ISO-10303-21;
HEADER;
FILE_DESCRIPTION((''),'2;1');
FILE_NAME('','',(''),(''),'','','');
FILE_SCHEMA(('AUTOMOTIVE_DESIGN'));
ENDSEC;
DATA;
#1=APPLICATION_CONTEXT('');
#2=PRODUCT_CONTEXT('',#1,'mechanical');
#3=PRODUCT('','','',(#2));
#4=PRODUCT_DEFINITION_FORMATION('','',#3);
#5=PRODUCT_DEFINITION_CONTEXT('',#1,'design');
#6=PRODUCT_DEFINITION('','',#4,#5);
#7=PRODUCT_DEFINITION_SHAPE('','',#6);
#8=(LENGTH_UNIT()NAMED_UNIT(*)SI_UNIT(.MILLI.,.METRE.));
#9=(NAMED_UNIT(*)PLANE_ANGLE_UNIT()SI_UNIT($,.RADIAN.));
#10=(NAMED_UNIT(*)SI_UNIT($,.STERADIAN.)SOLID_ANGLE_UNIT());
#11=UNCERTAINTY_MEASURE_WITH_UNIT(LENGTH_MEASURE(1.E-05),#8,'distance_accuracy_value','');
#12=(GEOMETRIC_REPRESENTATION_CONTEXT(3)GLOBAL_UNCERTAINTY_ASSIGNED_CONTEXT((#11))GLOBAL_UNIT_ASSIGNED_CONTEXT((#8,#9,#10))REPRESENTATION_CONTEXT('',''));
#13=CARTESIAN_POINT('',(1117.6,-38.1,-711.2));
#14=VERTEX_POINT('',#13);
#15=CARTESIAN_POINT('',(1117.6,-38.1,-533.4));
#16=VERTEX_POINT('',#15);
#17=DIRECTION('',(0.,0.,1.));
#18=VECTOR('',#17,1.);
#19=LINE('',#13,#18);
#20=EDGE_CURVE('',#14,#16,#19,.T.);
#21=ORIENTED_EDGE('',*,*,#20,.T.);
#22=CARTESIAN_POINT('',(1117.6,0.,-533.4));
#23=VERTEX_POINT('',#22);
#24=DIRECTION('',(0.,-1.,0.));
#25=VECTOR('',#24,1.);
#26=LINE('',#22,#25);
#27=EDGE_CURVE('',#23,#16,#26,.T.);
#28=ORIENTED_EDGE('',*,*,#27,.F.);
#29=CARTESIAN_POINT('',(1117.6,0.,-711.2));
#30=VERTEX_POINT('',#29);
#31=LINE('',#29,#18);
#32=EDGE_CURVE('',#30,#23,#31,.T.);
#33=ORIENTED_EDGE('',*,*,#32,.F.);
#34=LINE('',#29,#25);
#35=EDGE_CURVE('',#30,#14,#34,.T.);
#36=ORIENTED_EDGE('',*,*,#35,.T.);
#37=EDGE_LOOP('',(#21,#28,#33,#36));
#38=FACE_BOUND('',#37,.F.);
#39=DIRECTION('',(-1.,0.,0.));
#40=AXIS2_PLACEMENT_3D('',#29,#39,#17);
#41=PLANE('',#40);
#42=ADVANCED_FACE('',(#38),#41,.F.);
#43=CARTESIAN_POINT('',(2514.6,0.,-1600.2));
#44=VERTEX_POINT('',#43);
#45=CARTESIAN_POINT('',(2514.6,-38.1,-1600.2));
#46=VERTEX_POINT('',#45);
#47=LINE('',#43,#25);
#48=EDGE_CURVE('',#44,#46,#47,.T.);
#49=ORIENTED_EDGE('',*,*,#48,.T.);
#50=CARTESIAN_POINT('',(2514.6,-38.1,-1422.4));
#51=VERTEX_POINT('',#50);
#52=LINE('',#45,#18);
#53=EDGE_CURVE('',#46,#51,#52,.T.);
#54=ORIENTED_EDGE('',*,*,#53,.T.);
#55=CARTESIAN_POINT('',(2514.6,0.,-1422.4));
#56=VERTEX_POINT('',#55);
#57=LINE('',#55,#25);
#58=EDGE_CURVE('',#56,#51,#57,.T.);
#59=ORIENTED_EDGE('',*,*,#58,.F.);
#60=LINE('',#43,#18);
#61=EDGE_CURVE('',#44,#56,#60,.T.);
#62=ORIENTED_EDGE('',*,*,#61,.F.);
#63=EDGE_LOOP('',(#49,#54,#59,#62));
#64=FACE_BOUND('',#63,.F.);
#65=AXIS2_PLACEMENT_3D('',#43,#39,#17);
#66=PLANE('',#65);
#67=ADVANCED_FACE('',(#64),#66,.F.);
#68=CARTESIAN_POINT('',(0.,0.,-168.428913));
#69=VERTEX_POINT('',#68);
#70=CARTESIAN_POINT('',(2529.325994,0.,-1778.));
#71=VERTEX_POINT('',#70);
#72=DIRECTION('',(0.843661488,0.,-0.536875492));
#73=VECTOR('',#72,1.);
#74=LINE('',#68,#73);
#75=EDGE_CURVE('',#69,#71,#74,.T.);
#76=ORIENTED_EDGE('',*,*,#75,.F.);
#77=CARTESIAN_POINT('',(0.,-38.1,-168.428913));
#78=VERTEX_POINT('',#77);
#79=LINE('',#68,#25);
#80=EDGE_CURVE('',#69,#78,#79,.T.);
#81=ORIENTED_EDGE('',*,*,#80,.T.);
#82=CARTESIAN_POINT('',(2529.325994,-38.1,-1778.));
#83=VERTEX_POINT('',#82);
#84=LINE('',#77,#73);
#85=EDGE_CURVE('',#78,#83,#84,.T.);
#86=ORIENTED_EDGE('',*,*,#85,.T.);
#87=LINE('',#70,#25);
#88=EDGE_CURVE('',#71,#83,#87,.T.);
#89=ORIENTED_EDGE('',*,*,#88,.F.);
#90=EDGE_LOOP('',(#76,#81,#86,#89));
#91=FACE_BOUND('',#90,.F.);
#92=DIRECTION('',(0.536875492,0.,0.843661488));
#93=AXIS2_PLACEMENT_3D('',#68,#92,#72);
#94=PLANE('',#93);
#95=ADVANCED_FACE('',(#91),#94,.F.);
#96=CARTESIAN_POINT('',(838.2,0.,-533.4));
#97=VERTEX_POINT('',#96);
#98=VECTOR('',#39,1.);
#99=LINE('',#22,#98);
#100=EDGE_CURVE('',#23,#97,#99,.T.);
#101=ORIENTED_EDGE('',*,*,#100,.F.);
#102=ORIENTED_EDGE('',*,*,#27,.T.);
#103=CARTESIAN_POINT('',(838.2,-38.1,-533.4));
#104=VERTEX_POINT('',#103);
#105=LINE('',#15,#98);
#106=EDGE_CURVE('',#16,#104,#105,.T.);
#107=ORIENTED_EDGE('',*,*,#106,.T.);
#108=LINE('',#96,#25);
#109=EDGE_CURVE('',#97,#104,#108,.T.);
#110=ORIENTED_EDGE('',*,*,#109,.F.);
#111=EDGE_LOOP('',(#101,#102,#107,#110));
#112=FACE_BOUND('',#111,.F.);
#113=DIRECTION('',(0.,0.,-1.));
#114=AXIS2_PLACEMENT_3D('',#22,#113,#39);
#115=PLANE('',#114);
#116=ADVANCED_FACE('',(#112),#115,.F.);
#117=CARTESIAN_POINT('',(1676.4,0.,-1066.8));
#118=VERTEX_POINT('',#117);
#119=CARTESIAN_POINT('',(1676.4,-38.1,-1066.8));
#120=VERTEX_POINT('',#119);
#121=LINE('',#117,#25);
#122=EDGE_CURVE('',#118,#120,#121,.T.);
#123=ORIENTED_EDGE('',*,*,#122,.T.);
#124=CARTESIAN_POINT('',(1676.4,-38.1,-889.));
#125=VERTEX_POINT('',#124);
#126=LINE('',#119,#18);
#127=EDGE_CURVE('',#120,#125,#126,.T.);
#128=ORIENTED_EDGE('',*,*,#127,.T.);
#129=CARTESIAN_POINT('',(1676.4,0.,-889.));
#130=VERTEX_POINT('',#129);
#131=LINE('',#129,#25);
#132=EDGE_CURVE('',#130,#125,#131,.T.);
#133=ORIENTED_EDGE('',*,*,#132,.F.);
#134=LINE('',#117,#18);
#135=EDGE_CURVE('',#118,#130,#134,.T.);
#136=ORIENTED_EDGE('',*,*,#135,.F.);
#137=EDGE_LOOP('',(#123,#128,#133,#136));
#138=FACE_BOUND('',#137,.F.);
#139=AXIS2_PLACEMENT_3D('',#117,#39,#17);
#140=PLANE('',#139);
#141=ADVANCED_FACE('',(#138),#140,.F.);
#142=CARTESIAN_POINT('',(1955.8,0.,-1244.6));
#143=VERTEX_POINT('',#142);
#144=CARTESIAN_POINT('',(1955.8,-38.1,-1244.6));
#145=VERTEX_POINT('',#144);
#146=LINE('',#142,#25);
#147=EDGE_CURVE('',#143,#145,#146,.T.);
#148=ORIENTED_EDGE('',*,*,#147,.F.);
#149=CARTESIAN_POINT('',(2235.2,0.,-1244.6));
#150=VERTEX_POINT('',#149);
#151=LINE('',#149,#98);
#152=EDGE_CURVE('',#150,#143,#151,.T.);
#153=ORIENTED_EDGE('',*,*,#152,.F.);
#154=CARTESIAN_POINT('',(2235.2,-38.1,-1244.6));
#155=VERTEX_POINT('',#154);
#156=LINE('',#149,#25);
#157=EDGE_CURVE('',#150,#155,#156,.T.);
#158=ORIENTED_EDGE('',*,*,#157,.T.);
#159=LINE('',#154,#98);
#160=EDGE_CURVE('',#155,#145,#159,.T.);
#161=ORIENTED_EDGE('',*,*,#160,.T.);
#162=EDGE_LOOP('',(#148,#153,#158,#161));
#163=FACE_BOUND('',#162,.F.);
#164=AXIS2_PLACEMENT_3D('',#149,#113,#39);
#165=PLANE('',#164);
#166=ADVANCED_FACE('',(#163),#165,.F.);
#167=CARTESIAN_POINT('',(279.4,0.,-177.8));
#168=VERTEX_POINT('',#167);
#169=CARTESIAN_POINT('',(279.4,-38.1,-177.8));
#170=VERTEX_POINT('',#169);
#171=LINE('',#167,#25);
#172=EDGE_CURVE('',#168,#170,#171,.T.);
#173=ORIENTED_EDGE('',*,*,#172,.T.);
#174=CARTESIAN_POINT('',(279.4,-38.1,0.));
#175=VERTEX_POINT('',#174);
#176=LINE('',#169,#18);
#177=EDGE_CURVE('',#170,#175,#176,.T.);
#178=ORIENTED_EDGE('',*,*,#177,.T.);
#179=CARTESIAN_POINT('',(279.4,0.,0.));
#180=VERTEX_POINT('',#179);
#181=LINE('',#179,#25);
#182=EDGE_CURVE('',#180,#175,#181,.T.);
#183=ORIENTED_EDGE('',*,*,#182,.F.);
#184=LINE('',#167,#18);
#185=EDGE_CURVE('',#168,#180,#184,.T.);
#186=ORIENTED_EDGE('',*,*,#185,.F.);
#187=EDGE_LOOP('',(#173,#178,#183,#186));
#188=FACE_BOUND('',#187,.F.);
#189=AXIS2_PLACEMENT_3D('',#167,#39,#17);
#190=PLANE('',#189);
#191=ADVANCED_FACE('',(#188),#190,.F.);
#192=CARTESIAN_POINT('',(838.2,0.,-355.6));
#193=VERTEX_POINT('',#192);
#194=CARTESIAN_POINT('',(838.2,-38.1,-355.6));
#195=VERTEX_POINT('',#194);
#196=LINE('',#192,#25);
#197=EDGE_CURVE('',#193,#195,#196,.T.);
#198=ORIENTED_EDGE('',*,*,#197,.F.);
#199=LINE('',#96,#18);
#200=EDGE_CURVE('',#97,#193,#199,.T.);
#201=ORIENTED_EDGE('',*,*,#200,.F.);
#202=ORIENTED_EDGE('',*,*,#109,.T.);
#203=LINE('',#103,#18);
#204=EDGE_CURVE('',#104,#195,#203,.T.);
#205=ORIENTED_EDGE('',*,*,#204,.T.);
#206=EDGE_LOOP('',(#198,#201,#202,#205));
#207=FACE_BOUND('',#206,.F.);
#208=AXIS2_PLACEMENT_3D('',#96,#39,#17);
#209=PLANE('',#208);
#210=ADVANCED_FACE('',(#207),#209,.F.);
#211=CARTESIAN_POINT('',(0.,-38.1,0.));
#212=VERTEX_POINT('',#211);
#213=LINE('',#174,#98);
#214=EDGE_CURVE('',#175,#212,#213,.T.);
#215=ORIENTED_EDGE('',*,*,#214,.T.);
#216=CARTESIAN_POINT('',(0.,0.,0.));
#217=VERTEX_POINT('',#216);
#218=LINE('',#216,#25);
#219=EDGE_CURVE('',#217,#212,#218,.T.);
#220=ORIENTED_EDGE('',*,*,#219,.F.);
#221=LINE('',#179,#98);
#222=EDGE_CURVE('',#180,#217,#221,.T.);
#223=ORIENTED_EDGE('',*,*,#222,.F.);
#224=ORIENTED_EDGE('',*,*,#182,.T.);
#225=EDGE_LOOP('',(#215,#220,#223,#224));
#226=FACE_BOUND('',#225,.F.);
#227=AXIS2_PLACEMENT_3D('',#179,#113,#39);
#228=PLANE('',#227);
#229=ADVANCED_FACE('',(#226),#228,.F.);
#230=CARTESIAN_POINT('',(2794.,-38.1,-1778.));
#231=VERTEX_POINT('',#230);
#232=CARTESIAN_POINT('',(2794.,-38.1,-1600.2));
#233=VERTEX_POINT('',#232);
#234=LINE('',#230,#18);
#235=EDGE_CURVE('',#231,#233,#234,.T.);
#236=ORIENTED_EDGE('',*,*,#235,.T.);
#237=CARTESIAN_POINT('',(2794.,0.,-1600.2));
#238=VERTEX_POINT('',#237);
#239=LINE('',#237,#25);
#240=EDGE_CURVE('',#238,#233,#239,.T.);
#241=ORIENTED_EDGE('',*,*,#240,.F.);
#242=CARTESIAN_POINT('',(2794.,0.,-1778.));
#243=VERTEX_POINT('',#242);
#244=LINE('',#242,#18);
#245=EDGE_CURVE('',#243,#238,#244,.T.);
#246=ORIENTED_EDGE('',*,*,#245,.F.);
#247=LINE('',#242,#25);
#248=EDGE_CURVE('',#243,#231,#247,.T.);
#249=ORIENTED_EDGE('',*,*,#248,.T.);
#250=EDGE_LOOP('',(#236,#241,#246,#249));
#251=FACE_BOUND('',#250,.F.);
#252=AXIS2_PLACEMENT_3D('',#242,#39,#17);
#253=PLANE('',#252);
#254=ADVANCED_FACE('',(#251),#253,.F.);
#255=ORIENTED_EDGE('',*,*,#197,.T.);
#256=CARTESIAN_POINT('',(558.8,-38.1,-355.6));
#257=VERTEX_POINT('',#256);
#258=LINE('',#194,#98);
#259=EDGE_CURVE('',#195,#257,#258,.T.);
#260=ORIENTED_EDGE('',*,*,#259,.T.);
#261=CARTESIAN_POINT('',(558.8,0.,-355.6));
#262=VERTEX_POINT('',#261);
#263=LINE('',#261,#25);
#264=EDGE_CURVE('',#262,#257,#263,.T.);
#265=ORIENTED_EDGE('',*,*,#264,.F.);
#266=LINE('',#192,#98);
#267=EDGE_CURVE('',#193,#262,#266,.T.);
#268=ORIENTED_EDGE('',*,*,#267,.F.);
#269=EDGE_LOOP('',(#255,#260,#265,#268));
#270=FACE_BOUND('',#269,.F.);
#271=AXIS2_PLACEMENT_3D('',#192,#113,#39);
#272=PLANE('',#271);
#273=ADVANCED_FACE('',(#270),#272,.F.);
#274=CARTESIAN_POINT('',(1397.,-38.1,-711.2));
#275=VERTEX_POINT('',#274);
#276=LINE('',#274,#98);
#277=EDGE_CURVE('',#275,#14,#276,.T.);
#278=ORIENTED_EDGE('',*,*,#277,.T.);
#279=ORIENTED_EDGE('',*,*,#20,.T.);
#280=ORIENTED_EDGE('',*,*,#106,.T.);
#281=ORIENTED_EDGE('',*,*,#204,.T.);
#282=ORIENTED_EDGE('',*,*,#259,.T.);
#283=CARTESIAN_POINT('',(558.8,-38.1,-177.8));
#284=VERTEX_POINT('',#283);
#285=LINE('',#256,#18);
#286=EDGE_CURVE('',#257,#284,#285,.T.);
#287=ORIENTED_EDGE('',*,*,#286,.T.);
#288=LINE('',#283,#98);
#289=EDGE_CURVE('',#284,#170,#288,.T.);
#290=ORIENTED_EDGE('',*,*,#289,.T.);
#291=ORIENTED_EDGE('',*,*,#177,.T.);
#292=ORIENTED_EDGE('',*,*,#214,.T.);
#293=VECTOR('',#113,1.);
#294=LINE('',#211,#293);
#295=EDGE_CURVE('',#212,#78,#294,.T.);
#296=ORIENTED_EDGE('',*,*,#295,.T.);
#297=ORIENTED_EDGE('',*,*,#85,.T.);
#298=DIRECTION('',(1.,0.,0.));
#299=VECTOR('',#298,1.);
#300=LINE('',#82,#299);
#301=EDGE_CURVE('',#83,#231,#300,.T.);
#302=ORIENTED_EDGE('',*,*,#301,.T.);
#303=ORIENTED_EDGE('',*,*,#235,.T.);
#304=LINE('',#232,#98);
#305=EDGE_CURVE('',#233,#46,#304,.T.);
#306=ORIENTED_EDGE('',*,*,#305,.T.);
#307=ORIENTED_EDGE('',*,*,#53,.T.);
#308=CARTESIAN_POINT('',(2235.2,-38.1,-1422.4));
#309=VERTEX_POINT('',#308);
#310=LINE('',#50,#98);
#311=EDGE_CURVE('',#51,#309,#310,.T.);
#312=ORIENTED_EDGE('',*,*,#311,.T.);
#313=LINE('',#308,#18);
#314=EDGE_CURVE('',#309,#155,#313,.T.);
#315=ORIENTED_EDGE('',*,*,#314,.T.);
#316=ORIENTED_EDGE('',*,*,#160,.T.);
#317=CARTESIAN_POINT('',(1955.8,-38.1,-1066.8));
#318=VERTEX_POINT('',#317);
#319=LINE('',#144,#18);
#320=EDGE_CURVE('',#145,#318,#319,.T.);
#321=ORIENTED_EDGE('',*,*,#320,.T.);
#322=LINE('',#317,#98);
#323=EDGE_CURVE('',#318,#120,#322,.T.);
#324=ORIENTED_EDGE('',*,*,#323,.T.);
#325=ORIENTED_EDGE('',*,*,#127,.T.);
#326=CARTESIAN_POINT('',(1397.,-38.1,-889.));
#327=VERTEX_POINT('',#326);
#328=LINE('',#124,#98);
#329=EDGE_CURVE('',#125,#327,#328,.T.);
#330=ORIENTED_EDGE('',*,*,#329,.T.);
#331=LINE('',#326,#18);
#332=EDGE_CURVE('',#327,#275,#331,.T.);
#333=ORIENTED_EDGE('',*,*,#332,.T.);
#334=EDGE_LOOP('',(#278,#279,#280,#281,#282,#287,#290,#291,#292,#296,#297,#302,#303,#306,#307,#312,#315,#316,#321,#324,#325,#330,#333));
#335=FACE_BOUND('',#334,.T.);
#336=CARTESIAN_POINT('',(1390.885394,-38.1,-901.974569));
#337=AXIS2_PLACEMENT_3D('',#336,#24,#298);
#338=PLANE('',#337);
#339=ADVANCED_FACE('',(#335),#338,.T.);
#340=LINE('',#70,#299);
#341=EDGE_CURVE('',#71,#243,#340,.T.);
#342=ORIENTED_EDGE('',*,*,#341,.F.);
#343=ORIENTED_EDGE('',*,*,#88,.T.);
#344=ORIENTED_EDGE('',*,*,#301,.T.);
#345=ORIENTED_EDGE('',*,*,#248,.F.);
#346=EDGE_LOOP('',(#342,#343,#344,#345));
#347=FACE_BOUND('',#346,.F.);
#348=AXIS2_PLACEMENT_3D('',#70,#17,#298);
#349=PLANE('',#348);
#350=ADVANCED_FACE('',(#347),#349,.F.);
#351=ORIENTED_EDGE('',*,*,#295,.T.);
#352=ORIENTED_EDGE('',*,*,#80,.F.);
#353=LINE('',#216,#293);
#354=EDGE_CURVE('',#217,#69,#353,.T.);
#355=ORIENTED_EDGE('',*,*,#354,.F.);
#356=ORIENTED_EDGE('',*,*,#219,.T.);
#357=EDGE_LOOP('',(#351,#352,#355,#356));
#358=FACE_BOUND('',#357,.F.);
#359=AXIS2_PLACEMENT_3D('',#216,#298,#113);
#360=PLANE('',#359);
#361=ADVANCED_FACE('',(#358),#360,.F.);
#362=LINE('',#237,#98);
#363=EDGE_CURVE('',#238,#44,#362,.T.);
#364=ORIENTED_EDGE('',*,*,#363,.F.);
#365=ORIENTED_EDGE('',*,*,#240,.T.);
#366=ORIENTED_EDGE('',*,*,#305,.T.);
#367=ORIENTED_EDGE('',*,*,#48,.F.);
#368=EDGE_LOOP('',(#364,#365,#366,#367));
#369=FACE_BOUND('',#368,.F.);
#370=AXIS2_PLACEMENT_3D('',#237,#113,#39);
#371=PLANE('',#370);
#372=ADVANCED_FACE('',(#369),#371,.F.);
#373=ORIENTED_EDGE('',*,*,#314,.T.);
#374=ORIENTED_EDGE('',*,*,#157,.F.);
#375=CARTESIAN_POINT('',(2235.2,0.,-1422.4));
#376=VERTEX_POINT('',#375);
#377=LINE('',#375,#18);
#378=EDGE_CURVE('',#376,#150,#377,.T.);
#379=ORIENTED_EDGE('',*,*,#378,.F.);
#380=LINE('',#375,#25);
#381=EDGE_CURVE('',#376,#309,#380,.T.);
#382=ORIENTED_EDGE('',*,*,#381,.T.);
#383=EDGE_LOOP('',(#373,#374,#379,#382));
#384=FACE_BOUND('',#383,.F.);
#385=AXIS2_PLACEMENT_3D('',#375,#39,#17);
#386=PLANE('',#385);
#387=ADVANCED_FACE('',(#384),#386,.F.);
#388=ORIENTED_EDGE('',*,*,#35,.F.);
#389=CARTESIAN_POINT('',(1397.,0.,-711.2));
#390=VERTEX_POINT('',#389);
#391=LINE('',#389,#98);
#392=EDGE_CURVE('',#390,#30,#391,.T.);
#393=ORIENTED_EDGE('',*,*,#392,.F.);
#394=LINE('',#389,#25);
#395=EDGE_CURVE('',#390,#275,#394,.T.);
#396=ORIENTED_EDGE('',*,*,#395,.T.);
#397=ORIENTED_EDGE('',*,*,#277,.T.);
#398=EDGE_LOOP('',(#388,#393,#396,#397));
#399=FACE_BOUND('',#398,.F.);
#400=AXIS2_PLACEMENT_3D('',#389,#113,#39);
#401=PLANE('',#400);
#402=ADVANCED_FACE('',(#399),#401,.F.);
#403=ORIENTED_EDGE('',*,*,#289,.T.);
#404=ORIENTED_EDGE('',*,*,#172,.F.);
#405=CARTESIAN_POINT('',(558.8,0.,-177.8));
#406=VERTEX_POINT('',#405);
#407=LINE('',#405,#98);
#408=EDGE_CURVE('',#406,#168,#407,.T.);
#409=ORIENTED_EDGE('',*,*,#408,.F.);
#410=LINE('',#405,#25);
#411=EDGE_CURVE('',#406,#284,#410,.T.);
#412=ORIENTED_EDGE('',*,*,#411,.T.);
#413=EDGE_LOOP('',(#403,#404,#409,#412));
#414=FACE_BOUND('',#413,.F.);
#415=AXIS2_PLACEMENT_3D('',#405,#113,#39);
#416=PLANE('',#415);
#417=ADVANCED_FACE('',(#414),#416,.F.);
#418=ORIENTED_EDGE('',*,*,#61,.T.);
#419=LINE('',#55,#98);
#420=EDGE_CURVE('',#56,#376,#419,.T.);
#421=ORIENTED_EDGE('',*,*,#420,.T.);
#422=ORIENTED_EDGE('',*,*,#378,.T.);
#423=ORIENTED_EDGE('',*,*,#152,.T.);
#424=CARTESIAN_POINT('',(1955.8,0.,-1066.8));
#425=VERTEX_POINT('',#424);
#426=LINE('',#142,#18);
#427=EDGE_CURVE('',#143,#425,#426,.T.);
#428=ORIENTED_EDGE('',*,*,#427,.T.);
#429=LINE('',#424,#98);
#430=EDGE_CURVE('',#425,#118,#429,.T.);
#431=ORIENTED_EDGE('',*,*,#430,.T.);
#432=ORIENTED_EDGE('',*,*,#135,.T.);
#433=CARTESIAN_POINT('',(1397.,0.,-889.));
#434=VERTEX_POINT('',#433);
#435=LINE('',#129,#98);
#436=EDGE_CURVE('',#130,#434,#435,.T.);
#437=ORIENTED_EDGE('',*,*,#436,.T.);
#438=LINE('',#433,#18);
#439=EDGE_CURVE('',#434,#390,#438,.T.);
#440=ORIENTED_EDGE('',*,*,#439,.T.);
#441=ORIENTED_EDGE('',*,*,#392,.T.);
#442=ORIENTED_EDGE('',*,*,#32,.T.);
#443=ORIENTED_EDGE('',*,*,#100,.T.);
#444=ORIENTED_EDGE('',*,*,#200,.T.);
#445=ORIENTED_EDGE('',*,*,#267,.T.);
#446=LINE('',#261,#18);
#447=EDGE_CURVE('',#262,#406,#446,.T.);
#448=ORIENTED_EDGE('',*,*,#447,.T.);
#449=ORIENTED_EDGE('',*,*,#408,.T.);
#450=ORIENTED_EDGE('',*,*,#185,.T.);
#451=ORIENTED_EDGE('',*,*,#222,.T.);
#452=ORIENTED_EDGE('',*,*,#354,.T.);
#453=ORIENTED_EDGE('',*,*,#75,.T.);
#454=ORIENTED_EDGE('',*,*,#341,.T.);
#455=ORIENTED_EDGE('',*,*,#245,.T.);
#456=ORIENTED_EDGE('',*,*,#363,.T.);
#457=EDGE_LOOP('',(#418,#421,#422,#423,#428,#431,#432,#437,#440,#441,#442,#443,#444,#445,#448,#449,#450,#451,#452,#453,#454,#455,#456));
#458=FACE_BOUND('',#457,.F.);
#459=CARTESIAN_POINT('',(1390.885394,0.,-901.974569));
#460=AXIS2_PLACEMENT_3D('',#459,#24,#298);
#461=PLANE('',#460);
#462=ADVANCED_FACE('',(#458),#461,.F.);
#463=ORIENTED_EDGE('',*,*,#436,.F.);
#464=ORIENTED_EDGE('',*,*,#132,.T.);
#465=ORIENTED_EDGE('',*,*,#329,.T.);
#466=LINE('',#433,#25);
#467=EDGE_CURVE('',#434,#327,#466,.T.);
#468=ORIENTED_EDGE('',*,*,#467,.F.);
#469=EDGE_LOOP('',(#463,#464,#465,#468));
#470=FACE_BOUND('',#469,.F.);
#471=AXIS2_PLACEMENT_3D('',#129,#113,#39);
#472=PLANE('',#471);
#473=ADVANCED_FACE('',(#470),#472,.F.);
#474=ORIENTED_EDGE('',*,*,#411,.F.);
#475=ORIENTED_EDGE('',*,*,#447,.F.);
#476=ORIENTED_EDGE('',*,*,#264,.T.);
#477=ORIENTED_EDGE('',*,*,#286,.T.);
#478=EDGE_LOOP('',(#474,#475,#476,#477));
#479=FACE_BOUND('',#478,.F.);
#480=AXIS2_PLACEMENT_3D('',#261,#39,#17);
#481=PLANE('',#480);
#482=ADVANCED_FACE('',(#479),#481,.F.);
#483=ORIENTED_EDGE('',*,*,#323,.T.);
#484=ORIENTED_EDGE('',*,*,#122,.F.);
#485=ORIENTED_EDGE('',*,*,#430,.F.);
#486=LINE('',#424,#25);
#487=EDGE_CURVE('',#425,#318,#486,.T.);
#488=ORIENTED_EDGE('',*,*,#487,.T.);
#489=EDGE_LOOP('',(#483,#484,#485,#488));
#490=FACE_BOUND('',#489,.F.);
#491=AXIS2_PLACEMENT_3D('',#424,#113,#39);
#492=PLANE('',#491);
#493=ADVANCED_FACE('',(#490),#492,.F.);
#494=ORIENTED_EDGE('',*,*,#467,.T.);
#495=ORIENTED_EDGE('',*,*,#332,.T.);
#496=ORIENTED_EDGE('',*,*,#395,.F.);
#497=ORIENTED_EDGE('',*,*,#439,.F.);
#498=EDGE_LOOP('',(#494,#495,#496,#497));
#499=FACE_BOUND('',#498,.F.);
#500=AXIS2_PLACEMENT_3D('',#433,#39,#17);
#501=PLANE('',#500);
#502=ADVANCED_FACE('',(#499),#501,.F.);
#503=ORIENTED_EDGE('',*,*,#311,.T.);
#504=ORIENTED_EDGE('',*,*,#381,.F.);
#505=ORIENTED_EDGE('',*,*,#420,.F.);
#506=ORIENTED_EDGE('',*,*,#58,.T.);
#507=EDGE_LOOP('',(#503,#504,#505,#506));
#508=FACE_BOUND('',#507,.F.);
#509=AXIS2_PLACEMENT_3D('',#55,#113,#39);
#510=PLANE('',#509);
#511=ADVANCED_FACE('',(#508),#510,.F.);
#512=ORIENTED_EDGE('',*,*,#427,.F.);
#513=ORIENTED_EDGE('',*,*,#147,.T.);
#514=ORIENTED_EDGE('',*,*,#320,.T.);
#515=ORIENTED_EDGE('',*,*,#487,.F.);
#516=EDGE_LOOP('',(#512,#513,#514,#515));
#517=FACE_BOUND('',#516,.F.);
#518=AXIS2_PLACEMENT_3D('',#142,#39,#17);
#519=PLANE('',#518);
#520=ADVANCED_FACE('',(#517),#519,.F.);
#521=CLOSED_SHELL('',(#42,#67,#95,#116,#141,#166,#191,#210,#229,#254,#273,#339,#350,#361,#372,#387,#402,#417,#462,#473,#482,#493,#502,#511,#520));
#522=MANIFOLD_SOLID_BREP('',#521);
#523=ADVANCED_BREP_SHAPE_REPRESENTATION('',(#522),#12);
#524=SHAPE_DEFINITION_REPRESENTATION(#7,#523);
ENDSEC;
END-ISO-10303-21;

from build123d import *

# Parameters (mm, degrees)
F1_DEPTH = 38.1


with BuildPart() as f1:
    # F0 (on Front) → F1 (new body)
    with BuildSketch(Plane.XZ):
        Polygon((279.4, 0), (0, 0), (0, -168.428913), (2529.325994, -1778), (2794, -1778), (2794, -1600.2), (2514.6, -1600.2), (2514.6, -1422.4), (2235.2, -1422.4), (2235.2, -1244.6), (1955.8, -1244.6), (1955.8, -1066.8), (1676.4, -1066.8), (1676.4, -889), (1397, -889), (1397, -711.2), (1117.6, -711.2), (1117.6, -533.4), (838.2, -533.4), (838.2, -355.6), (558.8, -355.6), (558.8, -177.8), (279.4, -177.8), align=None)
    extrude(amount=F1_DEPTH)


solid = f1.part
